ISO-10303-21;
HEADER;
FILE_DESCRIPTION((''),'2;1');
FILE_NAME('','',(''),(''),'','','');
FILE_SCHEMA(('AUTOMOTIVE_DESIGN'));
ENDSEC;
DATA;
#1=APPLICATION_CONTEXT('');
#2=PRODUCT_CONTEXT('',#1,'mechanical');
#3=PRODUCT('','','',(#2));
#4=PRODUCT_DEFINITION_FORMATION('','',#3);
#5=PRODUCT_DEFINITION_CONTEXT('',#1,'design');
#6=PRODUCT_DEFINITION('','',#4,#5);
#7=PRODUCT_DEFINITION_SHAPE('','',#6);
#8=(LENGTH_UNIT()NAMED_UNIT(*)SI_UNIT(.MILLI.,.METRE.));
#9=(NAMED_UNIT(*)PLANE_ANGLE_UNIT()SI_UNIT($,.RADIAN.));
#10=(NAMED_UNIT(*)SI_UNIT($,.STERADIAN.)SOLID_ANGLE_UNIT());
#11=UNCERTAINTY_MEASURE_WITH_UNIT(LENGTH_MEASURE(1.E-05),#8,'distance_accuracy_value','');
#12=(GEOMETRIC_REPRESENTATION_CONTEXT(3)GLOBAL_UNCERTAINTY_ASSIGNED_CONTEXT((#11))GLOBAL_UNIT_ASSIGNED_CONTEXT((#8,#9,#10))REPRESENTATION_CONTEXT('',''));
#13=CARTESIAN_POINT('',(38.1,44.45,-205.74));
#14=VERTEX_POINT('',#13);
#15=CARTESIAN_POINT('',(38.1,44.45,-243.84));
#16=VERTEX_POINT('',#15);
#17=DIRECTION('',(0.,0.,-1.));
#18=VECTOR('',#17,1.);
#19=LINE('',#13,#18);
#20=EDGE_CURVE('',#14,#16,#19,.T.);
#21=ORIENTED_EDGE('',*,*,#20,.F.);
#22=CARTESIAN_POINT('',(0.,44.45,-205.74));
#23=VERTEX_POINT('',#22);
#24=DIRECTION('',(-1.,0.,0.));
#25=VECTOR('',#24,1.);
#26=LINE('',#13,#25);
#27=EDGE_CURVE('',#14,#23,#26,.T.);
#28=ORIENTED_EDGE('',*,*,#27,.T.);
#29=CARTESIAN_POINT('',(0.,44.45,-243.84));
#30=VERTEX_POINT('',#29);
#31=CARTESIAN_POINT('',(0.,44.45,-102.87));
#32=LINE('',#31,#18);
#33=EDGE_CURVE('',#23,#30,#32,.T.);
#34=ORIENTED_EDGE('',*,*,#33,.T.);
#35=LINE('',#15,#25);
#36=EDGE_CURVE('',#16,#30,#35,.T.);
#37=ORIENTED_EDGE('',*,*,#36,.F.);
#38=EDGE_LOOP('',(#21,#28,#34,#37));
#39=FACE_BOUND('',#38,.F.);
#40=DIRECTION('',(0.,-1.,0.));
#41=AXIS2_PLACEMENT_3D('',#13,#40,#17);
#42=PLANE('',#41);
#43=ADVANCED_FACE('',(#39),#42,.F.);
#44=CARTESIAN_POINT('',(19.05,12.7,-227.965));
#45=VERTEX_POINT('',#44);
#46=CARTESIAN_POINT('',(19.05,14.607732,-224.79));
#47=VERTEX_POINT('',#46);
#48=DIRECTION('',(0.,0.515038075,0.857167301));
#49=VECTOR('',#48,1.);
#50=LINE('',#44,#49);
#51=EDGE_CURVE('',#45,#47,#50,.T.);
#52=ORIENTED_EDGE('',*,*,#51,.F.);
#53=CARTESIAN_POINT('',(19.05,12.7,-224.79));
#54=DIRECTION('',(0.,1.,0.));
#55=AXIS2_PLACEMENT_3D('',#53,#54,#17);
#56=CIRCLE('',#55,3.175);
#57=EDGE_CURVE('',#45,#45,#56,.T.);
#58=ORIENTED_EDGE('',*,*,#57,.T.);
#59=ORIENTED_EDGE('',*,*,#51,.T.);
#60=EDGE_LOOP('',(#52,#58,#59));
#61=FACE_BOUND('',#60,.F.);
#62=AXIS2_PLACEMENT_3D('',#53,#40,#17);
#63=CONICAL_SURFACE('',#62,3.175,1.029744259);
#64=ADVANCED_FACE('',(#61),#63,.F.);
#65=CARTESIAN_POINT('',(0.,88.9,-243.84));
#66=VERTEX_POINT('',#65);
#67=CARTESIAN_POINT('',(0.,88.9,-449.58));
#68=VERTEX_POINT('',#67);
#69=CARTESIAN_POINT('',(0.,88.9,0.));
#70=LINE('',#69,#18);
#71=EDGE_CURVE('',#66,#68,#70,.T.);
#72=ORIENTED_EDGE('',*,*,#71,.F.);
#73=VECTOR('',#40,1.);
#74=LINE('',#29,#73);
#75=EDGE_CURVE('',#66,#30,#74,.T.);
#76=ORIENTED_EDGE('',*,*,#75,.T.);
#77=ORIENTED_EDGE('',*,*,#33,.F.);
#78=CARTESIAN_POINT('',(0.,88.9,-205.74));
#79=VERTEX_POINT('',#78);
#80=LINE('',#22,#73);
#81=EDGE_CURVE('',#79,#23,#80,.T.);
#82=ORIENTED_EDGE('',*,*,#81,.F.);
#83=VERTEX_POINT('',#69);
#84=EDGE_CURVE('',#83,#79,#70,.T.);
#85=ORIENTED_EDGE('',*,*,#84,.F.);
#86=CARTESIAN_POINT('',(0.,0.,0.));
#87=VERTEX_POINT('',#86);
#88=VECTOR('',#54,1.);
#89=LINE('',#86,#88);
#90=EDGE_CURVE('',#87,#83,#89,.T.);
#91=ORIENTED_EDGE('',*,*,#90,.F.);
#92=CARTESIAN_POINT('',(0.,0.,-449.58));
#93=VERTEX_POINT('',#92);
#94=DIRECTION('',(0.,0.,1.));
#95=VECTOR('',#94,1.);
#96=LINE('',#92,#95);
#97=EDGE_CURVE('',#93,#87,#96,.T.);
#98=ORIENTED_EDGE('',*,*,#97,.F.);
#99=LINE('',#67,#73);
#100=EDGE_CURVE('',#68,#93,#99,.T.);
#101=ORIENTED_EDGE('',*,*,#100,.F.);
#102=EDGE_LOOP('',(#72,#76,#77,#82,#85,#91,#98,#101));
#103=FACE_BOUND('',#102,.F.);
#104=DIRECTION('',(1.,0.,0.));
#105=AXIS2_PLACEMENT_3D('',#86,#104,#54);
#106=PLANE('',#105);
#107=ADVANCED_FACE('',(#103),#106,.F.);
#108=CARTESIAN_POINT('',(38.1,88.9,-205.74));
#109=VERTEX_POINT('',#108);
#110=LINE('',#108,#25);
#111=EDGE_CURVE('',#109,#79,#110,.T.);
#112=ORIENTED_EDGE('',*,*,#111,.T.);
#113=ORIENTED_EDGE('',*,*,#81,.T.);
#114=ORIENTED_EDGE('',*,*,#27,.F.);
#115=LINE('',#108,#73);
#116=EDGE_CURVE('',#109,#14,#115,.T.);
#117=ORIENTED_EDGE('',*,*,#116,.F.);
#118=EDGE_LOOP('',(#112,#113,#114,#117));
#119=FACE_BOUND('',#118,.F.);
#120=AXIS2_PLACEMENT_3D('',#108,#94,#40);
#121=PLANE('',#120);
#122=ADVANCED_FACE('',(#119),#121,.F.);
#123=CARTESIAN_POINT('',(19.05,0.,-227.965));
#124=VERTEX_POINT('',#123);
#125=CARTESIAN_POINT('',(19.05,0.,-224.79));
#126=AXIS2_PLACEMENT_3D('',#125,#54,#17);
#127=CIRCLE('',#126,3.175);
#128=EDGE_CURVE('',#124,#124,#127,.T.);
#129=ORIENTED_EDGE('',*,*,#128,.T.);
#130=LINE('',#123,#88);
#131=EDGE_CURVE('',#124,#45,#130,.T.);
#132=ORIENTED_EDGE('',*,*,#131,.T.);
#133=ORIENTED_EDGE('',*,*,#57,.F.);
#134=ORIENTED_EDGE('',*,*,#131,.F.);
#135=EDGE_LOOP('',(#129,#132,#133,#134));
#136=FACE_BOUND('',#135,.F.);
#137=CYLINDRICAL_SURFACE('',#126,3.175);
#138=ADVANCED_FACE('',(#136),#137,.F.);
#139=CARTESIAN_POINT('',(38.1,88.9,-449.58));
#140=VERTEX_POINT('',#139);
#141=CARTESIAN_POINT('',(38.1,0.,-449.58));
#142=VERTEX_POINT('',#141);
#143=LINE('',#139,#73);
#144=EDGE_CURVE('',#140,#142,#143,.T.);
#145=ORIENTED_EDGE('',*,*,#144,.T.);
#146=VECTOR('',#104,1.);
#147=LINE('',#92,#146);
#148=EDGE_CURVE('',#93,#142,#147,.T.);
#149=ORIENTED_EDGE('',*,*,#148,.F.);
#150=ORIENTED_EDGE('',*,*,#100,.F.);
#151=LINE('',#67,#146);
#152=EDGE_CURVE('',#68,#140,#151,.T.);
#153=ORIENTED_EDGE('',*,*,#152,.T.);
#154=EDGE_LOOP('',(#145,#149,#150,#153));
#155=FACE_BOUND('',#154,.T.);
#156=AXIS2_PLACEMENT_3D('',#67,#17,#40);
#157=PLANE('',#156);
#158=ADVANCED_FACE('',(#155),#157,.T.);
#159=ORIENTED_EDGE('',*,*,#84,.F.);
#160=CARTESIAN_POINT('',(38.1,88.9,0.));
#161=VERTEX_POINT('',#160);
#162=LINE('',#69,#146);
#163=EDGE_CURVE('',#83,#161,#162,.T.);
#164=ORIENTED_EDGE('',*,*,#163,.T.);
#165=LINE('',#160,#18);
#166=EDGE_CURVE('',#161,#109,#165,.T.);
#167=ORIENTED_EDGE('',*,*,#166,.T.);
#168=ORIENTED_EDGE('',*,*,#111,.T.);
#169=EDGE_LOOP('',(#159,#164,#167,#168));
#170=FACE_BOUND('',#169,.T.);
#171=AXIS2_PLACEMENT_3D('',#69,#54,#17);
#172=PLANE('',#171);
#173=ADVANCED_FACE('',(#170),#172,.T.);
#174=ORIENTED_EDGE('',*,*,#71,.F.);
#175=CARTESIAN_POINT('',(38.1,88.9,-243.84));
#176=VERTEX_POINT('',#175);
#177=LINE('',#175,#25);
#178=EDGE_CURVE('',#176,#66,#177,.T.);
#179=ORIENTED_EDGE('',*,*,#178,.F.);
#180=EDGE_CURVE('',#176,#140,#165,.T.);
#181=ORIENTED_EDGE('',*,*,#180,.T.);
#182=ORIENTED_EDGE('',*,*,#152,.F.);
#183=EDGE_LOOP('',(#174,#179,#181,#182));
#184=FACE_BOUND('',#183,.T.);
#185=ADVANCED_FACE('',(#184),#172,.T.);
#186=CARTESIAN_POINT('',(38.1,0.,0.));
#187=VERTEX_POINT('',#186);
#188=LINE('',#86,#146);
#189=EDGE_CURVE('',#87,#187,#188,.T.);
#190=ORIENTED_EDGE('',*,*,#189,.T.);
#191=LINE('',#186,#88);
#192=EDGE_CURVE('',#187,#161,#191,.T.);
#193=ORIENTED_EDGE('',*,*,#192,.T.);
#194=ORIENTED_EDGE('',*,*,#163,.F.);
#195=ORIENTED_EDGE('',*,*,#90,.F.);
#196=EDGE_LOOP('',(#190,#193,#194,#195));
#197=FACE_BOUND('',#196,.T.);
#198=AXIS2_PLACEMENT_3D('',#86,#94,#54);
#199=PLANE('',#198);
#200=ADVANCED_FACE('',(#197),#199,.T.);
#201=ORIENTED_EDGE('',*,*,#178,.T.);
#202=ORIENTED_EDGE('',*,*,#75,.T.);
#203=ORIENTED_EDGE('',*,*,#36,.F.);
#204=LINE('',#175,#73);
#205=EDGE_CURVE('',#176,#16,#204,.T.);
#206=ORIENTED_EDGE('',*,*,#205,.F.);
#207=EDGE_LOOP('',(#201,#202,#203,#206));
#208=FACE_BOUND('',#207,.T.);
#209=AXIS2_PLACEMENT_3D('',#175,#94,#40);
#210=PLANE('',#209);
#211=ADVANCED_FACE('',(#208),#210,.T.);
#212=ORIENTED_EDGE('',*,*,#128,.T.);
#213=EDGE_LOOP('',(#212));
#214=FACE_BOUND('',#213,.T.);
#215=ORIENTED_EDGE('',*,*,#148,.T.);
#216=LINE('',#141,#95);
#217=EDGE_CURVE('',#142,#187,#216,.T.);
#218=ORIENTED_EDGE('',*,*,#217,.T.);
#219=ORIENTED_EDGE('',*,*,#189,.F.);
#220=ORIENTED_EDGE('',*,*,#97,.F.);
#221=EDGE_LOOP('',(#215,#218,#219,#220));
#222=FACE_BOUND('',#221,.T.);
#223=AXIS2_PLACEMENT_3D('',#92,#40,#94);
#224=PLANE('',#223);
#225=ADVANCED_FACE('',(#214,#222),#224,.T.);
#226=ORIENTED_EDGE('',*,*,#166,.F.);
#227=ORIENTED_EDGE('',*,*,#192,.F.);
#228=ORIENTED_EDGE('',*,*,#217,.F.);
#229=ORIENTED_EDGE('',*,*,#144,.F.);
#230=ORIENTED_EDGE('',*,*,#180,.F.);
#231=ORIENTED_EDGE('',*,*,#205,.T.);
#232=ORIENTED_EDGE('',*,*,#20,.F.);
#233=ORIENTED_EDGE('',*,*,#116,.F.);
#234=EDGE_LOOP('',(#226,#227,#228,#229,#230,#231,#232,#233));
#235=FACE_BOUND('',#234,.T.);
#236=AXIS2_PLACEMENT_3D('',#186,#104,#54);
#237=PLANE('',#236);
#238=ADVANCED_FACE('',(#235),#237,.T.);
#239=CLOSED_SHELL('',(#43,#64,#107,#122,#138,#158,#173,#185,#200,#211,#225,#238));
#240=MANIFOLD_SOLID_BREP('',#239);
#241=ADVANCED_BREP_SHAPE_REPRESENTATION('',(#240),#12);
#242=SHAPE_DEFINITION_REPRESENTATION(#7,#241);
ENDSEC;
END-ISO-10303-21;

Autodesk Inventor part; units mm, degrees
ref_plane "YZ Plane" through (0, 0, 0) normal (1, 0, 0) x (0, 1, 0)
ref_plane "XZ Plane" through (0, 0, 0) normal (0, 1, 0) x (-1, 0, 0)
ref_plane "XY Plane" through (0, 0, 0) normal (0, 0, 1) x (1, 0, 0)
sketch "Sketch1" plane through (0, 0, 0) normal (1, 0, 0) x (0, 1, 0)
  line L0 (0, 0) -> (88.9, 0)
  line L1 (88.9, 0) -> (88.9, -449.58)
  line L2 (88.9, -449.58) -> (0, -449.58)
  line L3 (0, -449.58) -> (0, 0)
  dimension "d0" = 88.9
  dimension "d1" = 449.58
extrude "Extrusion1" add sketch "Sketch1" along normal blind 38.1
sketch "Sketch2" plane through (38.1, 0, 0) normal (1, 0, 0) x (0, 0, -1)
  line L0 (0, 88.9) -> (0, 0) projected
  line L1 (0, 0) -> (449.58, 0) projected
  line L2 (449.58, 88.9) -> (0, 88.9) projected
  line L3 (205.74, 88.9) -> (205.74, 44.45)
  line L4 (224.79, 88.9) -> (224.79, 0) construction
  line L5 (243.84, 88.9) -> (243.84, 44.45)
  line L6 (205.74, 44.45) -> (243.84, 44.45)
  line L7 (205.74, 88.9) -> (243.84, 88.9)
  dimension "d4" = 44.45
  dimension "d5" = 205.74
extrude "Extrusion2" cut sketch "Sketch2" against normal blind 50.8
sketch "Sketch3" plane through (0, 0, -449.58) normal (0, -1, 0) x (1, 0, 0)
  line L0 (0, 0) -> (0, 449.58) projected
  line L1 (0, 0) -> (38.1, 0) projected
  line L2 (38.1, 449.58) -> (38.1, 0) projected
  line L3 (0, 449.58) -> (38.1, 449.58) projected
  line L4 (19.05, 449.58) -> (19.05, 0) construction
  line L5 (0, 224.79) -> (38.1, 224.79) construction
  circle A0 centre (19.05, 224.79) radius 7.9481
hole "Hole1" at (19.05, 0, -224.79) direction (0, 1, 0) diameter 6.35 depth 12.7 tip angle 118
properties part number "hubRingInnerWood" material "Wood (Oak)"
